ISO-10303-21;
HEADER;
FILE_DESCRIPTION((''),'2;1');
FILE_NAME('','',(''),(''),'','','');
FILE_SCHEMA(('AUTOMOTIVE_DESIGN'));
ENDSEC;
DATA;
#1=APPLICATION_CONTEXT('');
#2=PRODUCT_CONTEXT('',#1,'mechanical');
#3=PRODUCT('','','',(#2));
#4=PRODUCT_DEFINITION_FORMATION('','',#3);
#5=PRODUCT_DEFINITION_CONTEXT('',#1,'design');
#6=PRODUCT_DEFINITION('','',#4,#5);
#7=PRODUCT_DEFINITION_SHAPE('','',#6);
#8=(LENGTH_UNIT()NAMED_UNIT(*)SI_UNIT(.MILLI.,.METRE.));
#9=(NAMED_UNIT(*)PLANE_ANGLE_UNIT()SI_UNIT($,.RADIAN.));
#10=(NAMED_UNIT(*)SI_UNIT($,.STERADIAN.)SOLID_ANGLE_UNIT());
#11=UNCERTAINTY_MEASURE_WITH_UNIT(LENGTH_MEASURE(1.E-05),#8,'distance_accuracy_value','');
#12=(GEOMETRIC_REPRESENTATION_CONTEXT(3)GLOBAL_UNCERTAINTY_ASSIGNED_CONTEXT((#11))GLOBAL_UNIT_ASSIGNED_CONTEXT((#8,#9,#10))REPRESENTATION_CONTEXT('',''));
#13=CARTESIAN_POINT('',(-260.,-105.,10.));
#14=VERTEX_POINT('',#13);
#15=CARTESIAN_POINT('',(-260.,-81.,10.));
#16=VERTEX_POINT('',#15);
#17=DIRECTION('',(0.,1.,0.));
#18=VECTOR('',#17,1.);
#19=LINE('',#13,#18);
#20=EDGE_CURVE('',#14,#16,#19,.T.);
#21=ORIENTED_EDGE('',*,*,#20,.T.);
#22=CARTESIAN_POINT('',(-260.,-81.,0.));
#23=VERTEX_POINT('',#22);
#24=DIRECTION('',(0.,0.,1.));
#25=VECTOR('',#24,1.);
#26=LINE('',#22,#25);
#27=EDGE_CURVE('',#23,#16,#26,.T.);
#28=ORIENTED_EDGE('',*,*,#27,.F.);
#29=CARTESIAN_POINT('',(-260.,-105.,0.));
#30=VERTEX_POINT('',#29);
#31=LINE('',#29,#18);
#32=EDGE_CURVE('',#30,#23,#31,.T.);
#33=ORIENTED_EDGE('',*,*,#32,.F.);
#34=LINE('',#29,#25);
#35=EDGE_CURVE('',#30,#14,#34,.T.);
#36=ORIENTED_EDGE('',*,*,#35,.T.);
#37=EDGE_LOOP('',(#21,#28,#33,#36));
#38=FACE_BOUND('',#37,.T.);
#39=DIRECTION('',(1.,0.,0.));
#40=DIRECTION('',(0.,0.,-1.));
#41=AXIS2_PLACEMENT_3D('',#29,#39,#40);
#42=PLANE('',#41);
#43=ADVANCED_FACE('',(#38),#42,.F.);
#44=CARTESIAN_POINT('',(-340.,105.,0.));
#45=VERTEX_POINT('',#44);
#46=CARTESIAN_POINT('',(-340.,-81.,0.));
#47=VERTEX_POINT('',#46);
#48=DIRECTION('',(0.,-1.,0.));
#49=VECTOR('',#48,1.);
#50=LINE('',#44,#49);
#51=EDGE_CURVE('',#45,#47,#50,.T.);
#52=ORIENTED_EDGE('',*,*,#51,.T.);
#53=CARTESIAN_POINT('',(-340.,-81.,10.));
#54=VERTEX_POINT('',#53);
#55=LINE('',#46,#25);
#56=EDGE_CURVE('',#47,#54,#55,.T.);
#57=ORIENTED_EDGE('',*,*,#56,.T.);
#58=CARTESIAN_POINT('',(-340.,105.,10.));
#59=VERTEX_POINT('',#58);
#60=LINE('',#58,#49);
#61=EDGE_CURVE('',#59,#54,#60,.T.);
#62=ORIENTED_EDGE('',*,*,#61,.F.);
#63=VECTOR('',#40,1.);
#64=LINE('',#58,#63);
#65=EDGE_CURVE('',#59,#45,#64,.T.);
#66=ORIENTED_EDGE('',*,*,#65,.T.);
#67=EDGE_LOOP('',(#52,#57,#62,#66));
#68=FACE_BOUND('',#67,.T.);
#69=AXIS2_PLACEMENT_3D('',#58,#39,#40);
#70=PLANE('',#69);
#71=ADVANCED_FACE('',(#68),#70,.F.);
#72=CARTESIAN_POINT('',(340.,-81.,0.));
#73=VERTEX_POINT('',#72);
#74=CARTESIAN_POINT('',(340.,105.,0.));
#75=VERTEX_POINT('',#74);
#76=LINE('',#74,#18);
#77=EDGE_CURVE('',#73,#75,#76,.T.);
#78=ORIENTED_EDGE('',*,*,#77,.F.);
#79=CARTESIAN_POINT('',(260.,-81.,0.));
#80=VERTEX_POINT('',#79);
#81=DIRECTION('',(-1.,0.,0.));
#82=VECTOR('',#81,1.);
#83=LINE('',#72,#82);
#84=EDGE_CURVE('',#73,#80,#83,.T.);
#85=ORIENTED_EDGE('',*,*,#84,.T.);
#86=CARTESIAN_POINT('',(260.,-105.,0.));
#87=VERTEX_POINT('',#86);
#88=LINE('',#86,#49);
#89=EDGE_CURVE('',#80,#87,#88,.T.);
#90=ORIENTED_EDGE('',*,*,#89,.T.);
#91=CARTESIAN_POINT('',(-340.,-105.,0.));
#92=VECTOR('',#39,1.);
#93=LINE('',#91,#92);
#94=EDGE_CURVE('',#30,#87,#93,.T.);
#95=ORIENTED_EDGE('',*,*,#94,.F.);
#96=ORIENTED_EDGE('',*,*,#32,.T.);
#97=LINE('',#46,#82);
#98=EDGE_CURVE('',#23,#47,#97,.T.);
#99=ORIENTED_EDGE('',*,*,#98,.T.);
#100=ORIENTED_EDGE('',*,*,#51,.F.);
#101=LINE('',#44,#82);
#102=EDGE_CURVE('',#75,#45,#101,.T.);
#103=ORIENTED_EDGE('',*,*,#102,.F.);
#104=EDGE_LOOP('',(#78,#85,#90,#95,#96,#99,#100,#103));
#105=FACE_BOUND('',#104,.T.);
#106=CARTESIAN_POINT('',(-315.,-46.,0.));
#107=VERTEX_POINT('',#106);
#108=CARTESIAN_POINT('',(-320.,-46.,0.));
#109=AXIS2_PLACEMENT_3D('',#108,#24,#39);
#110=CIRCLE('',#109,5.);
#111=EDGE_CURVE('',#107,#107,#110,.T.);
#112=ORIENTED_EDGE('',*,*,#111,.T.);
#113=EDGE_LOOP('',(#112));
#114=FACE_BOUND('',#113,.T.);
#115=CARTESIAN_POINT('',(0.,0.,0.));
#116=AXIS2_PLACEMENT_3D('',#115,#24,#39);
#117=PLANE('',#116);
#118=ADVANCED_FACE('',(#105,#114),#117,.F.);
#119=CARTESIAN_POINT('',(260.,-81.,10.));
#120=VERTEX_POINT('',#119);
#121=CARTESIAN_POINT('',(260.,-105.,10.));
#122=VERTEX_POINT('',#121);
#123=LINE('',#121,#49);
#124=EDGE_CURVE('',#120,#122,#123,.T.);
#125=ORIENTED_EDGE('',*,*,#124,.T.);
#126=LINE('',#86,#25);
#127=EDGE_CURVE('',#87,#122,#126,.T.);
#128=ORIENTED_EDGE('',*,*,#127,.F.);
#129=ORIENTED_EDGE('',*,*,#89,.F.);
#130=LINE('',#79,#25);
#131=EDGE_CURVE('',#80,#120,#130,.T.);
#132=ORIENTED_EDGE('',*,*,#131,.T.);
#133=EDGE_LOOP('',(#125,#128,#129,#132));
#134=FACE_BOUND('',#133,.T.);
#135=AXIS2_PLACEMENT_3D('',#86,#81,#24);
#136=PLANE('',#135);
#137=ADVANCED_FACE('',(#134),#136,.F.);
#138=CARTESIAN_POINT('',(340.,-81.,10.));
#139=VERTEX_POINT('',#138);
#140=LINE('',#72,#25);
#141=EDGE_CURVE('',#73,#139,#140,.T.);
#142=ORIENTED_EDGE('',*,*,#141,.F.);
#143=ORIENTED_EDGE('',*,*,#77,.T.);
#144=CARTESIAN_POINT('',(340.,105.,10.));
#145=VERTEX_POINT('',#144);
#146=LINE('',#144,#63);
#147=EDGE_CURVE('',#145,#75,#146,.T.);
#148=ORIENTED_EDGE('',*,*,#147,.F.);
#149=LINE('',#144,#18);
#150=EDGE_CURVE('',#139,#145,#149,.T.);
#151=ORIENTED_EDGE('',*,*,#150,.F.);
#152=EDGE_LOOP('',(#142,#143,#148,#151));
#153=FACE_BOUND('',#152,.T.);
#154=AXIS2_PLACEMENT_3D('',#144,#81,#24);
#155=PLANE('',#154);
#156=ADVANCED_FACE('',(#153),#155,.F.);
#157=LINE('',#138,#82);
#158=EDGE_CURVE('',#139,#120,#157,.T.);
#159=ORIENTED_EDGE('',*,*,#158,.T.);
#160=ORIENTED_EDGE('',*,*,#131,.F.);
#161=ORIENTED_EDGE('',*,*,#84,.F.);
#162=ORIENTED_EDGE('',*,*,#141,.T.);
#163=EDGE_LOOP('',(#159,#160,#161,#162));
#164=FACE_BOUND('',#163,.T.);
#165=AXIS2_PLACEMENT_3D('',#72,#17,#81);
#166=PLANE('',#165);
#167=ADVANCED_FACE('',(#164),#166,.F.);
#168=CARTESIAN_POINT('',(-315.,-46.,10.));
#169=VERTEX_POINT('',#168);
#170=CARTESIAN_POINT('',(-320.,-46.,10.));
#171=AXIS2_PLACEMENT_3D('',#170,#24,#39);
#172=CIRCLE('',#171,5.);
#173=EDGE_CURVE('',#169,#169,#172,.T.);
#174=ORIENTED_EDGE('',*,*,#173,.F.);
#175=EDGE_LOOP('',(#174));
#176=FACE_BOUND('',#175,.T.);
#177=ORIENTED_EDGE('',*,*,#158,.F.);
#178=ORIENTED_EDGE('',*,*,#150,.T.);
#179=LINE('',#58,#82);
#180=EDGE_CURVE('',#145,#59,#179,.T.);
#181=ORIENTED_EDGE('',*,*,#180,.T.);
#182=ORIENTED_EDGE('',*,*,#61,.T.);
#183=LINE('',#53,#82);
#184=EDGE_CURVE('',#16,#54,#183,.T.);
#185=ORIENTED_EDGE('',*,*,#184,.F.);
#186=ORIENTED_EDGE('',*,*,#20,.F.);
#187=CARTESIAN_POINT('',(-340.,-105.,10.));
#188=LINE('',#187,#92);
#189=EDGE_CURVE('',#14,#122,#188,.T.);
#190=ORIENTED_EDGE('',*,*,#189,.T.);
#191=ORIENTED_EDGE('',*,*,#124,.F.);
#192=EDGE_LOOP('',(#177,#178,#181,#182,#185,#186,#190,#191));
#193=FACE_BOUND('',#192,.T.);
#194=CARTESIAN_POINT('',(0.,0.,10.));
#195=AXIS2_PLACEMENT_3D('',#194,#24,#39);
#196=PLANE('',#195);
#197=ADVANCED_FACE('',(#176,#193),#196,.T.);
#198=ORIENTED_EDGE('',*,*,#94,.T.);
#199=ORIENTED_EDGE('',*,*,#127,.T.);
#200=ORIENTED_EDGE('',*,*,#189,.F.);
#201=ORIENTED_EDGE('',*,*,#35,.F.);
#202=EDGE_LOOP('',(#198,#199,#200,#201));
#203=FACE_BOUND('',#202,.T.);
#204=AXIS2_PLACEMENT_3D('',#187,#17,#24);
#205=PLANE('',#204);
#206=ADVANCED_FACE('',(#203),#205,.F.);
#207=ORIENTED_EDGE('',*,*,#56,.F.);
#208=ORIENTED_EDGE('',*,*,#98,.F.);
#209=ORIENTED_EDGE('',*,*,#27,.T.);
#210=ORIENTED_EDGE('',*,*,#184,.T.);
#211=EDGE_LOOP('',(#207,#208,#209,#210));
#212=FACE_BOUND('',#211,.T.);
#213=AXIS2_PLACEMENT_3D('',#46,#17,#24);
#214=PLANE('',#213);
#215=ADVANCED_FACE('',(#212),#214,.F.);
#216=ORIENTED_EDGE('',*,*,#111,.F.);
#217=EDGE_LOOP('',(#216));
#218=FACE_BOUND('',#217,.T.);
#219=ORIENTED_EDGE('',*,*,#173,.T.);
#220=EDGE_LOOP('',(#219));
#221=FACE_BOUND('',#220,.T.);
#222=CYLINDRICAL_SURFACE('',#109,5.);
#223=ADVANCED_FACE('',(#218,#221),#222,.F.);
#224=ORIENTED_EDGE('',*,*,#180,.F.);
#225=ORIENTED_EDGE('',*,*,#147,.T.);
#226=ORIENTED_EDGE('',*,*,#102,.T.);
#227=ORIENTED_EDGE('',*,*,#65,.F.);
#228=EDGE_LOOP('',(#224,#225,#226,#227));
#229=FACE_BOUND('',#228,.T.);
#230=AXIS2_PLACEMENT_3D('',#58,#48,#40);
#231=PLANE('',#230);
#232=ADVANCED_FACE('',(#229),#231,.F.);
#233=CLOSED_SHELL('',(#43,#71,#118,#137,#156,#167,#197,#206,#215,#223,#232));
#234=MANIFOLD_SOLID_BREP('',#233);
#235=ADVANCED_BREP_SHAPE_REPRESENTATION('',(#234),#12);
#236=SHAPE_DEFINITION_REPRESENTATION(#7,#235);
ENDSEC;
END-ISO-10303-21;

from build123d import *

# Parameters (mm, degrees)
ESQUISSE1_W             = 680
ESQUISSE1_H             = 210
BOSS_EXTRU_1_DEPTH      = 10
ESQUISSE2_W             = 80
ESQUISSE2_H             = 24
ENL_V_MAT_EXTRU_1_DEPTH = 11
ESQUISSE3_R             = 5
ENL_V_MAT_EXTRU_2_DEPTH = 11


with BuildPart() as part:
    # Esquisse1 → Boss.-Extru.1 (new body)
    with BuildSketch(Plane.XY):
        Rectangle(ESQUISSE1_W, ESQUISSE1_H)
    extrude(amount=BOSS_EXTRU_1_DEPTH)

    # Esquisse2 → Enlèv. mat.-Extru.1 (cut, through all)
    with BuildSketch(Plane.XY.offset(10)):
        with Locations((-300, -93)):
            Rectangle(ESQUISSE2_W, ESQUISSE2_H)
        with Locations((300, -93)):
            Rectangle(ESQUISSE2_W, ESQUISSE2_H)
    extrude(amount=-ENL_V_MAT_EXTRU_1_DEPTH, mode=Mode.SUBTRACT)

    # Esquisse3 → Enlèv. mat.-Extru.2 (cut, through all)
    with BuildSketch(Plane.XY.offset(10)):
        with Locations((-320, -46)):
            Circle(ESQUISSE3_R)
    extrude(amount=-ENL_V_MAT_EXTRU_2_DEPTH, mode=Mode.SUBTRACT)


solid = part.part
